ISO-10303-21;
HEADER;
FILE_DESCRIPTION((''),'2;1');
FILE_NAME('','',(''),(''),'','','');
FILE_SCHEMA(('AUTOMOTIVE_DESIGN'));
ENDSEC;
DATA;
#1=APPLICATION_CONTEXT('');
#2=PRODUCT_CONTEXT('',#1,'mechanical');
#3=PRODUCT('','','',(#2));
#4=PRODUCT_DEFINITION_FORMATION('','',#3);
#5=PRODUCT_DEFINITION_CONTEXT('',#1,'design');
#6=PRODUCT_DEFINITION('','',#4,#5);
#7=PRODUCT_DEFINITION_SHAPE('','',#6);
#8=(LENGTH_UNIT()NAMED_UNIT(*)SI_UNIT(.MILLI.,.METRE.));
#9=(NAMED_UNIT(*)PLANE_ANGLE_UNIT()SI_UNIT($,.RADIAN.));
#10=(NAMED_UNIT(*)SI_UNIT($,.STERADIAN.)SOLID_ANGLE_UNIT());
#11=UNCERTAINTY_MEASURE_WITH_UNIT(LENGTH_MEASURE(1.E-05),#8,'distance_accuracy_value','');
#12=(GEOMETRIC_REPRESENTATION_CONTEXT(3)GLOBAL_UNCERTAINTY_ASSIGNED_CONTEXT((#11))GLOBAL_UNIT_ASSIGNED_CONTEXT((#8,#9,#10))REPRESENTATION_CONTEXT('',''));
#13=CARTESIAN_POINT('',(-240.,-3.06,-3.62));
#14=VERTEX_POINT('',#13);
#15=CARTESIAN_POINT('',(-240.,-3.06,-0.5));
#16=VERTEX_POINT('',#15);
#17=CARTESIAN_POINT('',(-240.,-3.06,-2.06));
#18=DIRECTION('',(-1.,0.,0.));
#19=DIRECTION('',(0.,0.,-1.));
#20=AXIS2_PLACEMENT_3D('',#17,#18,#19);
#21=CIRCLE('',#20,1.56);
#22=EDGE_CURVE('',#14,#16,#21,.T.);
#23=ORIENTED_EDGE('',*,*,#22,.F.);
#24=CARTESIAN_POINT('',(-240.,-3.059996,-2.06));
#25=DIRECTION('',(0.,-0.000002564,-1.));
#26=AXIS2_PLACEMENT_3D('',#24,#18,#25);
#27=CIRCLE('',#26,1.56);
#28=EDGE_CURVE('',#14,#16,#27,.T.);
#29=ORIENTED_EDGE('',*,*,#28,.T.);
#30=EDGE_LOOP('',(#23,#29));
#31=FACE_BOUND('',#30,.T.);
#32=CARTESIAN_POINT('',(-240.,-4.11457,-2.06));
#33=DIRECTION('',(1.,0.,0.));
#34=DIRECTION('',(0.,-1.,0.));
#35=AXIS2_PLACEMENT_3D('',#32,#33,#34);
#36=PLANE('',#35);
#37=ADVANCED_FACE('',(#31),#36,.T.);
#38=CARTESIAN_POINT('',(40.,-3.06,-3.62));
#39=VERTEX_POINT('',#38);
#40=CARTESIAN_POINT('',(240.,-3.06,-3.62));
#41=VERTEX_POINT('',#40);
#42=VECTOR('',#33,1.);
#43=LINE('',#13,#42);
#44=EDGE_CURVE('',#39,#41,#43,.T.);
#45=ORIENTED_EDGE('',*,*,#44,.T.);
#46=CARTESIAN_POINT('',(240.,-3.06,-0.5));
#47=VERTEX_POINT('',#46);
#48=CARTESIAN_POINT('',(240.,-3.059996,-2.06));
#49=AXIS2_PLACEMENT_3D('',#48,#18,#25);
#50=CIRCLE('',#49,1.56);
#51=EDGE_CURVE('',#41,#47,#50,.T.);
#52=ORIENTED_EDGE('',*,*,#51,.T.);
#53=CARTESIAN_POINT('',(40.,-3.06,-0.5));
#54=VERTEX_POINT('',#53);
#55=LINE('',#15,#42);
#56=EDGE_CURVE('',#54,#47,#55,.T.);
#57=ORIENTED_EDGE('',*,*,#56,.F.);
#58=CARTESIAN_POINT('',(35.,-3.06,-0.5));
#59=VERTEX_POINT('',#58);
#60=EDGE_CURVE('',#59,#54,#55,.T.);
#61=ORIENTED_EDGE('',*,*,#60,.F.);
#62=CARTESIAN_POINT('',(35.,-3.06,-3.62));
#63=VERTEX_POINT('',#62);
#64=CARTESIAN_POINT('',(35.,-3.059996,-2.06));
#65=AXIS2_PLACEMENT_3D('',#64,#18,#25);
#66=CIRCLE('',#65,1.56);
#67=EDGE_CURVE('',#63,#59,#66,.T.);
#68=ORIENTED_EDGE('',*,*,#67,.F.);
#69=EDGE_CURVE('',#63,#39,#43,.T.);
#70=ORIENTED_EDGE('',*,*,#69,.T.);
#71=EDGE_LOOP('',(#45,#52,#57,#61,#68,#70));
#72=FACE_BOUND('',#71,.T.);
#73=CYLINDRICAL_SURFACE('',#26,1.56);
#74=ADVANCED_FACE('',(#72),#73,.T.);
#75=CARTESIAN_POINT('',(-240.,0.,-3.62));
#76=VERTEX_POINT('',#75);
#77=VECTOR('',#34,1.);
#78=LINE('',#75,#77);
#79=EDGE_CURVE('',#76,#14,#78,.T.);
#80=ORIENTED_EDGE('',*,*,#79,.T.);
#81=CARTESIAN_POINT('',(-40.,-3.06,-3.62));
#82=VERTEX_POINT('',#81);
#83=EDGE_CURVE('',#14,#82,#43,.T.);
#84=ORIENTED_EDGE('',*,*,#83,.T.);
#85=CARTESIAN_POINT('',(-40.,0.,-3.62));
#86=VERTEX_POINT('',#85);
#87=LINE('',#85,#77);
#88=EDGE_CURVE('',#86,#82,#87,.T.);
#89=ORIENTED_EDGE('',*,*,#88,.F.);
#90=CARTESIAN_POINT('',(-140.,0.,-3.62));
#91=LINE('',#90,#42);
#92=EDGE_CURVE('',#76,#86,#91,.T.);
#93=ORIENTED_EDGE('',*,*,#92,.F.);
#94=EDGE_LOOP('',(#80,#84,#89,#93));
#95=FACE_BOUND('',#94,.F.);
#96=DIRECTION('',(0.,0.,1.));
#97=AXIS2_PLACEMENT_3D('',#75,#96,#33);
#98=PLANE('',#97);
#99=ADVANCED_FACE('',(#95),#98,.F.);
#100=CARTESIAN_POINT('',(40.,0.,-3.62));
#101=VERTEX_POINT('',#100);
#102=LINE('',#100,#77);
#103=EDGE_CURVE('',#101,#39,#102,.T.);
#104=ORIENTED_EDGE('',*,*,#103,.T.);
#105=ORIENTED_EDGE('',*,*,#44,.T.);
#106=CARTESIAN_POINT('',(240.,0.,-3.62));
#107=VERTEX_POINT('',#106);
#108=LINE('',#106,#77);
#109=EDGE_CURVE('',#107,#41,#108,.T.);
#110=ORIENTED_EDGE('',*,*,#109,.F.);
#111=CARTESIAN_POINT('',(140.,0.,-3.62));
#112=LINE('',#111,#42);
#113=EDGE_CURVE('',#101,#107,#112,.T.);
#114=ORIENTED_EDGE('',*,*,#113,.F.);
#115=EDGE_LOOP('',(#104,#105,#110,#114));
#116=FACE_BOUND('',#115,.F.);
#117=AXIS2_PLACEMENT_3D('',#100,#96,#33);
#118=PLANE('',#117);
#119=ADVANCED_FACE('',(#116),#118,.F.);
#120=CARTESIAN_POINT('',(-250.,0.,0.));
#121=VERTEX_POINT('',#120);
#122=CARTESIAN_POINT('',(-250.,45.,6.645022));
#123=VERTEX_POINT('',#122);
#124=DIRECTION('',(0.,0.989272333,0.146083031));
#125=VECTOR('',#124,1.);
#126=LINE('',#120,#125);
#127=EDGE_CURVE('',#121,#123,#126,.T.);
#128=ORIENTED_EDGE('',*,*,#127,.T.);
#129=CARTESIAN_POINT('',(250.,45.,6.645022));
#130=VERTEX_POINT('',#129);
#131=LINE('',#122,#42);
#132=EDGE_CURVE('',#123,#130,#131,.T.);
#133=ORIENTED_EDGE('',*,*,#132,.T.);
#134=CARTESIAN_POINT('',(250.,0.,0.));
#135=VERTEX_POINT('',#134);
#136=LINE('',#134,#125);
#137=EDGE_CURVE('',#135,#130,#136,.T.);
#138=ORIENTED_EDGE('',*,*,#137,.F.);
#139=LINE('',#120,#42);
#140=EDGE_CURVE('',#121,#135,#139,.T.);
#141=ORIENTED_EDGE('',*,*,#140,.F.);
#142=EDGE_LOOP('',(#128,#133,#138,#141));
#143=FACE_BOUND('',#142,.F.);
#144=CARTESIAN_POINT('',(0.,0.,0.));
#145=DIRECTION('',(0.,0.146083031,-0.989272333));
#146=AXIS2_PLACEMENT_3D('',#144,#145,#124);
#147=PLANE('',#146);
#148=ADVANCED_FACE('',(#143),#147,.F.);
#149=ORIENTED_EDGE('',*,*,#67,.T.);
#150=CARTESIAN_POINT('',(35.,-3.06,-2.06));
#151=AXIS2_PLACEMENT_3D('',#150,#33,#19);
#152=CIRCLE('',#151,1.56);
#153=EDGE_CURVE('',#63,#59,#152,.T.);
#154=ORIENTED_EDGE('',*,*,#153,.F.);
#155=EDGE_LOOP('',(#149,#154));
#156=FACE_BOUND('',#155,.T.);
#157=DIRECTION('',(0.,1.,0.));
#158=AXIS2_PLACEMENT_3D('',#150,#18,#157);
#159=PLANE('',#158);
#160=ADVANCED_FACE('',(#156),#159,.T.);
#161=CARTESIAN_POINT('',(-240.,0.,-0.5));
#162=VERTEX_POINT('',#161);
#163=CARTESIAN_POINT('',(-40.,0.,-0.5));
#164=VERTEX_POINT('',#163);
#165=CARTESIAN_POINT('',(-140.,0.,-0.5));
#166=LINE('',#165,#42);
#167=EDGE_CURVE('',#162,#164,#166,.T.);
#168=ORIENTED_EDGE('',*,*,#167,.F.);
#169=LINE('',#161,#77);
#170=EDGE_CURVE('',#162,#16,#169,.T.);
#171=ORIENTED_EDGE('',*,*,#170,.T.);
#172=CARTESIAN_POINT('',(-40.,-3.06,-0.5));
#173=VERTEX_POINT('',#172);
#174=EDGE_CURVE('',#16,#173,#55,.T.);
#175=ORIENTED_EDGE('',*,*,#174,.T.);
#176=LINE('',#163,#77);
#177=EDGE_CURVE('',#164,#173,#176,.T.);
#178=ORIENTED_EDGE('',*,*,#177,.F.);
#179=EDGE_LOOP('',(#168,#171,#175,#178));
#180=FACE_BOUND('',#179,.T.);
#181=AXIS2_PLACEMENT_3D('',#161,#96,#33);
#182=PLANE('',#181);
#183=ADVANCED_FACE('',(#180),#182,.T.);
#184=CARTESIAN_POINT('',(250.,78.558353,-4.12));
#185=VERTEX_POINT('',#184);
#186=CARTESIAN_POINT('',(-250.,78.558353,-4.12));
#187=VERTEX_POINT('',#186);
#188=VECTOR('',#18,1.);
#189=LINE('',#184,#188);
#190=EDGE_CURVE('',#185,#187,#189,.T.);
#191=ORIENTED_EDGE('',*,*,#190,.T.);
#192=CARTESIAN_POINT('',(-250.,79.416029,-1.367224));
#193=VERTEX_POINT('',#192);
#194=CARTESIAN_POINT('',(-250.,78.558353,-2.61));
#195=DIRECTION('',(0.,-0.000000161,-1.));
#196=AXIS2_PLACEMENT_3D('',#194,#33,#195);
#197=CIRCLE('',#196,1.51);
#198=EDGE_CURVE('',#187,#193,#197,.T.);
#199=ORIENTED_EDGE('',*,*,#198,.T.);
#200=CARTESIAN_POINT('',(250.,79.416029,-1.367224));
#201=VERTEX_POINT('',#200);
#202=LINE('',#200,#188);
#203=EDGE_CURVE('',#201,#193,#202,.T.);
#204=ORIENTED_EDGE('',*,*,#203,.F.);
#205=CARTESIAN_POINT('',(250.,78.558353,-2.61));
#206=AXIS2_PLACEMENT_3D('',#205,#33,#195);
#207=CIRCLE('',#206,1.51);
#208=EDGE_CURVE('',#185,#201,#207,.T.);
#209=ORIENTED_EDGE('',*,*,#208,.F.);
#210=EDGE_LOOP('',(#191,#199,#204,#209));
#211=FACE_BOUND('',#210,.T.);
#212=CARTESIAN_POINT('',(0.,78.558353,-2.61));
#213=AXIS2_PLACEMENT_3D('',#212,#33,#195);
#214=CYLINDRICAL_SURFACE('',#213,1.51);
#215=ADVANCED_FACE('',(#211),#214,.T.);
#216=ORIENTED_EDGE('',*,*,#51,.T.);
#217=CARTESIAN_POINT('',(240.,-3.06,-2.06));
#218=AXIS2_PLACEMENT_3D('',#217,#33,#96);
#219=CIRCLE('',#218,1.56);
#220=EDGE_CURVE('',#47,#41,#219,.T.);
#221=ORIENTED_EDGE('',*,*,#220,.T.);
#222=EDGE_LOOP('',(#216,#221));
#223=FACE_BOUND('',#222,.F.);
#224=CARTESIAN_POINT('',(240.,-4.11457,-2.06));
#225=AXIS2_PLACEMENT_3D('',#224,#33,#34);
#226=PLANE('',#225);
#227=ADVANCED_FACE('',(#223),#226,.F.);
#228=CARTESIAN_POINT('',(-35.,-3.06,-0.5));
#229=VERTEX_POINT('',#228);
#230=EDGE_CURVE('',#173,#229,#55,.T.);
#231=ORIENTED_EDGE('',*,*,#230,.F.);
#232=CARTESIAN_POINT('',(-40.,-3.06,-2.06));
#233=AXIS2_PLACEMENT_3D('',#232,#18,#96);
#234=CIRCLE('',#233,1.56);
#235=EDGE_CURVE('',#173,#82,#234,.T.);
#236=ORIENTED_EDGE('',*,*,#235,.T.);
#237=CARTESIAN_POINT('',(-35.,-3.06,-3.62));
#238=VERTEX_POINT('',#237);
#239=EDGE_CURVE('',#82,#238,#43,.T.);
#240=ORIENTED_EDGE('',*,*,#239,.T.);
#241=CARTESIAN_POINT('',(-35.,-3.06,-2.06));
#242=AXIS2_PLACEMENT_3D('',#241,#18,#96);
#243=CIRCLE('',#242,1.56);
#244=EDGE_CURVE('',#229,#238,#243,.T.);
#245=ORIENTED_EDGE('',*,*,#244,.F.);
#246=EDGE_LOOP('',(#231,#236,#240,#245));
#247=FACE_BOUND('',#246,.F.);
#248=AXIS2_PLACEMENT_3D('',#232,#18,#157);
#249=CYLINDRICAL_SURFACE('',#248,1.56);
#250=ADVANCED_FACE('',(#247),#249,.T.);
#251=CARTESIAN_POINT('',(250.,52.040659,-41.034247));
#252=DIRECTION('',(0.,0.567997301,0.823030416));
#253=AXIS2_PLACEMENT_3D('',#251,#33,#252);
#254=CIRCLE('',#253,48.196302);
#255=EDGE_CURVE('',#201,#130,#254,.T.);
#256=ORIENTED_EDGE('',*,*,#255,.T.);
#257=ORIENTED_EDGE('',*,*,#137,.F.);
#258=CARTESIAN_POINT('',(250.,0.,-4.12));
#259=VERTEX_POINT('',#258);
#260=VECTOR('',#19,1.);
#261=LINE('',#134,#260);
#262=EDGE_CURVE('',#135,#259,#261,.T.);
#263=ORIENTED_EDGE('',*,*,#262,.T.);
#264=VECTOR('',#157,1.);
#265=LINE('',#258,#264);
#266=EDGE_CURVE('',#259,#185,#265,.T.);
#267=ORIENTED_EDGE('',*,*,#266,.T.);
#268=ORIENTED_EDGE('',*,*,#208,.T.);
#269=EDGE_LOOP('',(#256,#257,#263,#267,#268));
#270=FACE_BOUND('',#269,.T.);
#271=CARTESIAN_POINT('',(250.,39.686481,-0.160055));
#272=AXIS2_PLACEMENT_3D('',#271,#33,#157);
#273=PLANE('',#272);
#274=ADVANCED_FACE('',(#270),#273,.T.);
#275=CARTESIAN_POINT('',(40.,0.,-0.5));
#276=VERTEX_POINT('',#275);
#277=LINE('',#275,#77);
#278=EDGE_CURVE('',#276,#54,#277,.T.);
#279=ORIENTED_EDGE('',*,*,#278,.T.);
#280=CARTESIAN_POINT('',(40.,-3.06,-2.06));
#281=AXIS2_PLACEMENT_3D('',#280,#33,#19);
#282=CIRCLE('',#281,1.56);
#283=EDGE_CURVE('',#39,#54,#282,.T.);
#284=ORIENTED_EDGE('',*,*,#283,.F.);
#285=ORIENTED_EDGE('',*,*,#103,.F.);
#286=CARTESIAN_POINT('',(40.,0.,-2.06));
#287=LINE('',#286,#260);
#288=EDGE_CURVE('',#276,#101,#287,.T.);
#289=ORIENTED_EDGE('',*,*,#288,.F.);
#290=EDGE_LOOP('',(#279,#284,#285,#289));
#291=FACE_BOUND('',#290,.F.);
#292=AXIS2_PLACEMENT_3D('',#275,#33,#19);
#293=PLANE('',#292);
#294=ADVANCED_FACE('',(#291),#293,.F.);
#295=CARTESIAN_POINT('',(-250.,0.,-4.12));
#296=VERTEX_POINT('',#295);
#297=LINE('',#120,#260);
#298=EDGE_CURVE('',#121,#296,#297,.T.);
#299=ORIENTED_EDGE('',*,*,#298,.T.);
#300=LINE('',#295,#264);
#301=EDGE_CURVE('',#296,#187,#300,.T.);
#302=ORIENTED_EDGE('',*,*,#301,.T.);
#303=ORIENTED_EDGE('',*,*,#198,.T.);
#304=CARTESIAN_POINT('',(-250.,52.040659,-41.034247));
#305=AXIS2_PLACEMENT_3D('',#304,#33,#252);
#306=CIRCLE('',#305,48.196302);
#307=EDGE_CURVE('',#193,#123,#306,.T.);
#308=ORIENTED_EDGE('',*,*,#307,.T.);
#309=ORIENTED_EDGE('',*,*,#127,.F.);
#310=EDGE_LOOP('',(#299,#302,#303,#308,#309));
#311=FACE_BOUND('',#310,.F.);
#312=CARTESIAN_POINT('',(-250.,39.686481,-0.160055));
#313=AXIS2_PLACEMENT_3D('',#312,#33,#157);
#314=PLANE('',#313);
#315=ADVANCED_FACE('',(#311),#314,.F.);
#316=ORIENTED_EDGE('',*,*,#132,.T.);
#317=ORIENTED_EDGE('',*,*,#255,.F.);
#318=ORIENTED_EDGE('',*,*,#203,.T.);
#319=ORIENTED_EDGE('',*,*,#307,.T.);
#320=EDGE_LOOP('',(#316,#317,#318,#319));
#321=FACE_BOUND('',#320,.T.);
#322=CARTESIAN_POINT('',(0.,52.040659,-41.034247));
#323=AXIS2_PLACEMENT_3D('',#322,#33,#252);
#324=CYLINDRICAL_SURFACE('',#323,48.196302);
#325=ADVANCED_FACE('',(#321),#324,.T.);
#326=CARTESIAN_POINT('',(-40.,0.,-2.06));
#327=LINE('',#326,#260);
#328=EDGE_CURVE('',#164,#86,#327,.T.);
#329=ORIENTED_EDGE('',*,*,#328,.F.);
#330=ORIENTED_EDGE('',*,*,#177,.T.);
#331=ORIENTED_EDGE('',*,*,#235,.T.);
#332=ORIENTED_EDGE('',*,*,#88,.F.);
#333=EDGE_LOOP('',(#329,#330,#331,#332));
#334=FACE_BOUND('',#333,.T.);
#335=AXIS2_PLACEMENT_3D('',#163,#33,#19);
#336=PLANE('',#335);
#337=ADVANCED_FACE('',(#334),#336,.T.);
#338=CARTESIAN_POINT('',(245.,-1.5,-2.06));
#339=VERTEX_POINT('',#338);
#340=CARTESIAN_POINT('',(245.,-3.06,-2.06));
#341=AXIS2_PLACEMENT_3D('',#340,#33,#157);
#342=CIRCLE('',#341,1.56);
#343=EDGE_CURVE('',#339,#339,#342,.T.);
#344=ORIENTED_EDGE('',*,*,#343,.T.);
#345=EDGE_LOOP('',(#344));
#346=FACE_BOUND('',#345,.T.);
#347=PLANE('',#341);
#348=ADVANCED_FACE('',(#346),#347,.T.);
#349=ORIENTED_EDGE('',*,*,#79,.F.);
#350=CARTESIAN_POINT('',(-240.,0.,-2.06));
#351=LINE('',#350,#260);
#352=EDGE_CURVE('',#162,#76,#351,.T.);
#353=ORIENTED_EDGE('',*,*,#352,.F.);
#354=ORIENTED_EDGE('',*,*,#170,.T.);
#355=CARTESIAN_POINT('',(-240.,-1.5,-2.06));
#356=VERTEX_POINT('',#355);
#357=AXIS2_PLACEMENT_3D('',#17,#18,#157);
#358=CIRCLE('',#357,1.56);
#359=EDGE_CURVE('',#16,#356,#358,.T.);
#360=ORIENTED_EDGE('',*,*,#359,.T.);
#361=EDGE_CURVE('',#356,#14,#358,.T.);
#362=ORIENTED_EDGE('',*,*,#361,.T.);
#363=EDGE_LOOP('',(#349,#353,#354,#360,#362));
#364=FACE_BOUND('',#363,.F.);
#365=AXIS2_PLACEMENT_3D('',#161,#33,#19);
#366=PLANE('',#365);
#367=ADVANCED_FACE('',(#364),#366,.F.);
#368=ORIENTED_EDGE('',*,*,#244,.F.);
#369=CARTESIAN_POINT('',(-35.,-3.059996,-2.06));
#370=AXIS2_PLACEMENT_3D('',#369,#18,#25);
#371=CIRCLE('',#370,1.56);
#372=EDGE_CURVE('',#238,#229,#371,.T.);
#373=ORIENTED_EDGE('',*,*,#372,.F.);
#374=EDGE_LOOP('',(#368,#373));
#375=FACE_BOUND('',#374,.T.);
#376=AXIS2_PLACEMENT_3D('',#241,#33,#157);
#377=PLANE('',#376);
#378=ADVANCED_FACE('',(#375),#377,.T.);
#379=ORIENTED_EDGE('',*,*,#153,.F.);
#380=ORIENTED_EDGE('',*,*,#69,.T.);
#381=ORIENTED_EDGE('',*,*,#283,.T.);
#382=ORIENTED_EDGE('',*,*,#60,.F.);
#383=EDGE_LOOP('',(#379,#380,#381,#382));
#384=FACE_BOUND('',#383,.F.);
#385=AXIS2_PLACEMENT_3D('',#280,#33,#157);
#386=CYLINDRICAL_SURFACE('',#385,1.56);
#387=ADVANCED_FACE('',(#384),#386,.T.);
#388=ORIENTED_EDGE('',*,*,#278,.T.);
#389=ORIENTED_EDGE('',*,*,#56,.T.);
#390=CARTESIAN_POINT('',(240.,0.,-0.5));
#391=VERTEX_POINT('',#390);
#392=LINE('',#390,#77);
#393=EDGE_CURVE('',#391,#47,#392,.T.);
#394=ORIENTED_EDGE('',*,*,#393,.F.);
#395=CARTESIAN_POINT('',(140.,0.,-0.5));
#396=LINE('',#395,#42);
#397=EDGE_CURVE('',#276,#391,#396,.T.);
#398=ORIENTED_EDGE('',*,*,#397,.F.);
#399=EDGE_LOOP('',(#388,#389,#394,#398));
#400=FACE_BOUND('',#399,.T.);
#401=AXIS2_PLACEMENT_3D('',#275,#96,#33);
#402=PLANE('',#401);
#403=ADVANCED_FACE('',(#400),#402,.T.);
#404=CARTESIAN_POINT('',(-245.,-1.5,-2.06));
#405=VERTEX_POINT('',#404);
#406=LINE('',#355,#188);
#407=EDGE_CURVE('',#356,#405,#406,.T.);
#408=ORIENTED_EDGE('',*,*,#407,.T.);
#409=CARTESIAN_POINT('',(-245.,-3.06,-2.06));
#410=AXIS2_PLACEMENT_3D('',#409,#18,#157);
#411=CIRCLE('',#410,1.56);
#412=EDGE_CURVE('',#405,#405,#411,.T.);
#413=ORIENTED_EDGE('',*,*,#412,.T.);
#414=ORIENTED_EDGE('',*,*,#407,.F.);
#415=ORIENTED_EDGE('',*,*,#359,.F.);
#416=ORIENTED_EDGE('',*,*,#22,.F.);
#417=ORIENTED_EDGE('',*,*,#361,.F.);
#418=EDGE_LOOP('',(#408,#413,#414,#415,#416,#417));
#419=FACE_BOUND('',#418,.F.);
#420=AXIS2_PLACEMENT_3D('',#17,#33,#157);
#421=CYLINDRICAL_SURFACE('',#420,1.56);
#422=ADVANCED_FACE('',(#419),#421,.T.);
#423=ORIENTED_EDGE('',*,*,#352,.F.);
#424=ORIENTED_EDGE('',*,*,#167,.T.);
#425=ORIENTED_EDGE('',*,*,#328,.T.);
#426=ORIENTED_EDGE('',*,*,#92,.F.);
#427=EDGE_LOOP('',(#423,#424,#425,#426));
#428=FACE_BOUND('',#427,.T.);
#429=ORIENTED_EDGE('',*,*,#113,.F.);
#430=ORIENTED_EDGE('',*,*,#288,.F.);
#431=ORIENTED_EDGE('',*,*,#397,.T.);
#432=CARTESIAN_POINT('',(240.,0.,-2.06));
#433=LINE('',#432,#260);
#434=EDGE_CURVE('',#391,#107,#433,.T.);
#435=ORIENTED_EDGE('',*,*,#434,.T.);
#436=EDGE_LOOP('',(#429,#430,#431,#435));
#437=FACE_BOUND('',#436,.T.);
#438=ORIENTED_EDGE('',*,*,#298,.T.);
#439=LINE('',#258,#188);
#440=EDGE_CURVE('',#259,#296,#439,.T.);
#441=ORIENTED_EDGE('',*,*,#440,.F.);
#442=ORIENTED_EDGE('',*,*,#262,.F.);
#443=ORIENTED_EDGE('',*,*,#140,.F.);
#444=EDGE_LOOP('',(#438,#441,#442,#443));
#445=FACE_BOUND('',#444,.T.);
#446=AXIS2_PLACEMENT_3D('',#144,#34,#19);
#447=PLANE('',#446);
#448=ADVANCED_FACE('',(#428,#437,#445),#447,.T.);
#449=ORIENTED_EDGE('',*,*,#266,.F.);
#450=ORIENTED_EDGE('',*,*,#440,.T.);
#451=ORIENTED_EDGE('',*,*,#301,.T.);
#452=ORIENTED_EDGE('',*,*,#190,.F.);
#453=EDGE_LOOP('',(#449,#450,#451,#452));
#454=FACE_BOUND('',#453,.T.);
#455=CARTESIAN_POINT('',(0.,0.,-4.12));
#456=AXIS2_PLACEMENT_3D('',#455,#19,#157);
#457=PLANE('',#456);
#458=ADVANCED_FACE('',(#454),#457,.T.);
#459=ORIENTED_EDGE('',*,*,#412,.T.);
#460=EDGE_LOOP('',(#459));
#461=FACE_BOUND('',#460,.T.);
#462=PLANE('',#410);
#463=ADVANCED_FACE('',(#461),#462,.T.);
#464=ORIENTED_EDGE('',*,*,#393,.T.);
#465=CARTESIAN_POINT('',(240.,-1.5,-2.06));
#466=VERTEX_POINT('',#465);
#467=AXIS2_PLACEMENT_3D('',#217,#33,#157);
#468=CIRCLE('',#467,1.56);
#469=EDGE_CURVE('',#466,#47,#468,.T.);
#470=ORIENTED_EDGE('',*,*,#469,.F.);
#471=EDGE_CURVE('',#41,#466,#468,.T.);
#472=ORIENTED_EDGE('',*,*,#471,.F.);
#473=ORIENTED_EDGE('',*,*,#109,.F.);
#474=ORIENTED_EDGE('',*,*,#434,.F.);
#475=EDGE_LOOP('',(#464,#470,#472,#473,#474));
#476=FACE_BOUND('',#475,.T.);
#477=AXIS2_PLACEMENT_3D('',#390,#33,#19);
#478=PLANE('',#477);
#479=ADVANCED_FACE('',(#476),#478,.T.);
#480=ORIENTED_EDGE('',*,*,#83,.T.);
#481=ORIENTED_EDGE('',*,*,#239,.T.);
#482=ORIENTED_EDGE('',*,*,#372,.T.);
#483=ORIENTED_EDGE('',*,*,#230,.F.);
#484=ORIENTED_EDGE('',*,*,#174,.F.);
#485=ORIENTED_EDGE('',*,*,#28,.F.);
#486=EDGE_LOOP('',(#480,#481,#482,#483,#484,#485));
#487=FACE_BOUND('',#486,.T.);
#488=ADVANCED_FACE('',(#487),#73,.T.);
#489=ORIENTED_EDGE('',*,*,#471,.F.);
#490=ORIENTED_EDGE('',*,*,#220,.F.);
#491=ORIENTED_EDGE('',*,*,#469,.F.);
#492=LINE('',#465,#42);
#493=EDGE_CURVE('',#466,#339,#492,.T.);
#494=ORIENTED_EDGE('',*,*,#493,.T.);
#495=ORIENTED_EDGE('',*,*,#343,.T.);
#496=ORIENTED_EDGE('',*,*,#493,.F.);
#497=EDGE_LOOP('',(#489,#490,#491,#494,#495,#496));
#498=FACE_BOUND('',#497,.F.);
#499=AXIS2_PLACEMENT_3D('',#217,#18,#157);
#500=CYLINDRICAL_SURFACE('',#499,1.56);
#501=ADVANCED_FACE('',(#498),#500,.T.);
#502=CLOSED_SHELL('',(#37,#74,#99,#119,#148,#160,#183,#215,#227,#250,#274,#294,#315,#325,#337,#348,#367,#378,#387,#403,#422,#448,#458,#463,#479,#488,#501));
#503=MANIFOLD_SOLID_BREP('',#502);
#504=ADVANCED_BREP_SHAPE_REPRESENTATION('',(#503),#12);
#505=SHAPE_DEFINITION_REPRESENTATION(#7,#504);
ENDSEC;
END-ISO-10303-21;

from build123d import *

# Parameters (mm, degrees)
PAD021_DEPTH    = 250
SKETCH046_W     = 3.12
SKETCH046_H     = 200
PAD022_DEPTH    = 4.62
SKETCH047_R     = 1.56
PAD023_DEPTH    = 5
SKETCH048_R     = 1.56
PAD024_DEPTH    = 5
SKETCH049_R     = 1.56
PAD025_DEPTH    = 5
SKETCH050_R     = 1.56
PAD026_DEPTH    = 5
POCKET024_DEPTH = 480


with BuildPart() as part:
    # Sketch045 → Pad021 (new body, symmetric)
    with BuildSketch(Plane.YZ):
        with BuildLine():
            ThreePointArc((79.416029, -1.367224), (62.968794, 5.906774), (45, 6.645022))
            Line((0, 0), (45, 6.645022))
            Line((0, 0), (0, -4.12))
            Line((0, -4.12), (78.558353, -4.12))
            ThreePointArc((78.558353, -4.12), (80, -3.059171), (79.416029, -1.367224))
        make_face()
    extrude(amount=PAD021_DEPTH, both=True)

    # Sketch046 (on Face3 of Pad021) → Pad022 (join)
    with BuildSketch(Plane(origin=(0, 0, 0), x_dir=(0, 0, -1), z_dir=(0, -1, 0))):
        with Locations((2.06, 140)):
            Rectangle(SKETCH046_W, SKETCH046_H)
        with Locations((2.06, -140)):
            Rectangle(SKETCH046_W, SKETCH046_H)
    extrude(amount=PAD022_DEPTH)

    # Sketch047 (on Face11 of Pad022) → Pad023 (join)
    with BuildSketch(Plane.YZ.offset(240)):
        with Locations((-3.06, -2.06)):
            Circle(SKETCH047_R)
    extrude(amount=PAD023_DEPTH)

    # Sketch048 (on Face9 of Pad023) → Pad024 (join)
    with BuildSketch(Plane(origin=(40, 0, 0), x_dir=(0, 1, 0), z_dir=(-1, 0, 0))):
        with Locations((-3.06, 2.06)):
            Circle(SKETCH048_R)
    extrude(amount=PAD024_DEPTH)

    # Sketch049 (on Face15 of Pad024) → Pad025 (join)
    with BuildSketch(Plane.YZ.offset(-40)):
        with Locations((-3.06, -2.06)):
            Circle(SKETCH049_R)
    extrude(amount=PAD025_DEPTH)

    # Sketch050 (on Face13 of Pad025) → Pad026 (join)
    with BuildSketch(Plane(origin=(-240, 0, 0), x_dir=(0, 1, 0), z_dir=(-1, 0, 0))):
        with Locations((-3.06, 2.06)):
            Circle(SKETCH050_R)
    extrude(amount=PAD026_DEPTH)

    # Sketch052 (on Face13 of Pad026) → Pocket024 (cut)
    with BuildSketch(Plane(origin=(-240, 0, 0), x_dir=(0, 1, 0), z_dir=(-1, 0, 0))):
        with BuildLine():
            ThreePointArc((-3.06, 3.62), (-4.619996, 2.06), (-3.06, 0.5))
            Line((-4.62, 0.5), (-3.06, 0.5))
            Line((-4.62, 3.62), (-4.62, 0.5))
            Line((-4.62, 3.62), (-3.06, 3.62))
        make_face()
    extrude(amount=-POCKET024_DEPTH, mode=Mode.SUBTRACT)


solid = part.part
